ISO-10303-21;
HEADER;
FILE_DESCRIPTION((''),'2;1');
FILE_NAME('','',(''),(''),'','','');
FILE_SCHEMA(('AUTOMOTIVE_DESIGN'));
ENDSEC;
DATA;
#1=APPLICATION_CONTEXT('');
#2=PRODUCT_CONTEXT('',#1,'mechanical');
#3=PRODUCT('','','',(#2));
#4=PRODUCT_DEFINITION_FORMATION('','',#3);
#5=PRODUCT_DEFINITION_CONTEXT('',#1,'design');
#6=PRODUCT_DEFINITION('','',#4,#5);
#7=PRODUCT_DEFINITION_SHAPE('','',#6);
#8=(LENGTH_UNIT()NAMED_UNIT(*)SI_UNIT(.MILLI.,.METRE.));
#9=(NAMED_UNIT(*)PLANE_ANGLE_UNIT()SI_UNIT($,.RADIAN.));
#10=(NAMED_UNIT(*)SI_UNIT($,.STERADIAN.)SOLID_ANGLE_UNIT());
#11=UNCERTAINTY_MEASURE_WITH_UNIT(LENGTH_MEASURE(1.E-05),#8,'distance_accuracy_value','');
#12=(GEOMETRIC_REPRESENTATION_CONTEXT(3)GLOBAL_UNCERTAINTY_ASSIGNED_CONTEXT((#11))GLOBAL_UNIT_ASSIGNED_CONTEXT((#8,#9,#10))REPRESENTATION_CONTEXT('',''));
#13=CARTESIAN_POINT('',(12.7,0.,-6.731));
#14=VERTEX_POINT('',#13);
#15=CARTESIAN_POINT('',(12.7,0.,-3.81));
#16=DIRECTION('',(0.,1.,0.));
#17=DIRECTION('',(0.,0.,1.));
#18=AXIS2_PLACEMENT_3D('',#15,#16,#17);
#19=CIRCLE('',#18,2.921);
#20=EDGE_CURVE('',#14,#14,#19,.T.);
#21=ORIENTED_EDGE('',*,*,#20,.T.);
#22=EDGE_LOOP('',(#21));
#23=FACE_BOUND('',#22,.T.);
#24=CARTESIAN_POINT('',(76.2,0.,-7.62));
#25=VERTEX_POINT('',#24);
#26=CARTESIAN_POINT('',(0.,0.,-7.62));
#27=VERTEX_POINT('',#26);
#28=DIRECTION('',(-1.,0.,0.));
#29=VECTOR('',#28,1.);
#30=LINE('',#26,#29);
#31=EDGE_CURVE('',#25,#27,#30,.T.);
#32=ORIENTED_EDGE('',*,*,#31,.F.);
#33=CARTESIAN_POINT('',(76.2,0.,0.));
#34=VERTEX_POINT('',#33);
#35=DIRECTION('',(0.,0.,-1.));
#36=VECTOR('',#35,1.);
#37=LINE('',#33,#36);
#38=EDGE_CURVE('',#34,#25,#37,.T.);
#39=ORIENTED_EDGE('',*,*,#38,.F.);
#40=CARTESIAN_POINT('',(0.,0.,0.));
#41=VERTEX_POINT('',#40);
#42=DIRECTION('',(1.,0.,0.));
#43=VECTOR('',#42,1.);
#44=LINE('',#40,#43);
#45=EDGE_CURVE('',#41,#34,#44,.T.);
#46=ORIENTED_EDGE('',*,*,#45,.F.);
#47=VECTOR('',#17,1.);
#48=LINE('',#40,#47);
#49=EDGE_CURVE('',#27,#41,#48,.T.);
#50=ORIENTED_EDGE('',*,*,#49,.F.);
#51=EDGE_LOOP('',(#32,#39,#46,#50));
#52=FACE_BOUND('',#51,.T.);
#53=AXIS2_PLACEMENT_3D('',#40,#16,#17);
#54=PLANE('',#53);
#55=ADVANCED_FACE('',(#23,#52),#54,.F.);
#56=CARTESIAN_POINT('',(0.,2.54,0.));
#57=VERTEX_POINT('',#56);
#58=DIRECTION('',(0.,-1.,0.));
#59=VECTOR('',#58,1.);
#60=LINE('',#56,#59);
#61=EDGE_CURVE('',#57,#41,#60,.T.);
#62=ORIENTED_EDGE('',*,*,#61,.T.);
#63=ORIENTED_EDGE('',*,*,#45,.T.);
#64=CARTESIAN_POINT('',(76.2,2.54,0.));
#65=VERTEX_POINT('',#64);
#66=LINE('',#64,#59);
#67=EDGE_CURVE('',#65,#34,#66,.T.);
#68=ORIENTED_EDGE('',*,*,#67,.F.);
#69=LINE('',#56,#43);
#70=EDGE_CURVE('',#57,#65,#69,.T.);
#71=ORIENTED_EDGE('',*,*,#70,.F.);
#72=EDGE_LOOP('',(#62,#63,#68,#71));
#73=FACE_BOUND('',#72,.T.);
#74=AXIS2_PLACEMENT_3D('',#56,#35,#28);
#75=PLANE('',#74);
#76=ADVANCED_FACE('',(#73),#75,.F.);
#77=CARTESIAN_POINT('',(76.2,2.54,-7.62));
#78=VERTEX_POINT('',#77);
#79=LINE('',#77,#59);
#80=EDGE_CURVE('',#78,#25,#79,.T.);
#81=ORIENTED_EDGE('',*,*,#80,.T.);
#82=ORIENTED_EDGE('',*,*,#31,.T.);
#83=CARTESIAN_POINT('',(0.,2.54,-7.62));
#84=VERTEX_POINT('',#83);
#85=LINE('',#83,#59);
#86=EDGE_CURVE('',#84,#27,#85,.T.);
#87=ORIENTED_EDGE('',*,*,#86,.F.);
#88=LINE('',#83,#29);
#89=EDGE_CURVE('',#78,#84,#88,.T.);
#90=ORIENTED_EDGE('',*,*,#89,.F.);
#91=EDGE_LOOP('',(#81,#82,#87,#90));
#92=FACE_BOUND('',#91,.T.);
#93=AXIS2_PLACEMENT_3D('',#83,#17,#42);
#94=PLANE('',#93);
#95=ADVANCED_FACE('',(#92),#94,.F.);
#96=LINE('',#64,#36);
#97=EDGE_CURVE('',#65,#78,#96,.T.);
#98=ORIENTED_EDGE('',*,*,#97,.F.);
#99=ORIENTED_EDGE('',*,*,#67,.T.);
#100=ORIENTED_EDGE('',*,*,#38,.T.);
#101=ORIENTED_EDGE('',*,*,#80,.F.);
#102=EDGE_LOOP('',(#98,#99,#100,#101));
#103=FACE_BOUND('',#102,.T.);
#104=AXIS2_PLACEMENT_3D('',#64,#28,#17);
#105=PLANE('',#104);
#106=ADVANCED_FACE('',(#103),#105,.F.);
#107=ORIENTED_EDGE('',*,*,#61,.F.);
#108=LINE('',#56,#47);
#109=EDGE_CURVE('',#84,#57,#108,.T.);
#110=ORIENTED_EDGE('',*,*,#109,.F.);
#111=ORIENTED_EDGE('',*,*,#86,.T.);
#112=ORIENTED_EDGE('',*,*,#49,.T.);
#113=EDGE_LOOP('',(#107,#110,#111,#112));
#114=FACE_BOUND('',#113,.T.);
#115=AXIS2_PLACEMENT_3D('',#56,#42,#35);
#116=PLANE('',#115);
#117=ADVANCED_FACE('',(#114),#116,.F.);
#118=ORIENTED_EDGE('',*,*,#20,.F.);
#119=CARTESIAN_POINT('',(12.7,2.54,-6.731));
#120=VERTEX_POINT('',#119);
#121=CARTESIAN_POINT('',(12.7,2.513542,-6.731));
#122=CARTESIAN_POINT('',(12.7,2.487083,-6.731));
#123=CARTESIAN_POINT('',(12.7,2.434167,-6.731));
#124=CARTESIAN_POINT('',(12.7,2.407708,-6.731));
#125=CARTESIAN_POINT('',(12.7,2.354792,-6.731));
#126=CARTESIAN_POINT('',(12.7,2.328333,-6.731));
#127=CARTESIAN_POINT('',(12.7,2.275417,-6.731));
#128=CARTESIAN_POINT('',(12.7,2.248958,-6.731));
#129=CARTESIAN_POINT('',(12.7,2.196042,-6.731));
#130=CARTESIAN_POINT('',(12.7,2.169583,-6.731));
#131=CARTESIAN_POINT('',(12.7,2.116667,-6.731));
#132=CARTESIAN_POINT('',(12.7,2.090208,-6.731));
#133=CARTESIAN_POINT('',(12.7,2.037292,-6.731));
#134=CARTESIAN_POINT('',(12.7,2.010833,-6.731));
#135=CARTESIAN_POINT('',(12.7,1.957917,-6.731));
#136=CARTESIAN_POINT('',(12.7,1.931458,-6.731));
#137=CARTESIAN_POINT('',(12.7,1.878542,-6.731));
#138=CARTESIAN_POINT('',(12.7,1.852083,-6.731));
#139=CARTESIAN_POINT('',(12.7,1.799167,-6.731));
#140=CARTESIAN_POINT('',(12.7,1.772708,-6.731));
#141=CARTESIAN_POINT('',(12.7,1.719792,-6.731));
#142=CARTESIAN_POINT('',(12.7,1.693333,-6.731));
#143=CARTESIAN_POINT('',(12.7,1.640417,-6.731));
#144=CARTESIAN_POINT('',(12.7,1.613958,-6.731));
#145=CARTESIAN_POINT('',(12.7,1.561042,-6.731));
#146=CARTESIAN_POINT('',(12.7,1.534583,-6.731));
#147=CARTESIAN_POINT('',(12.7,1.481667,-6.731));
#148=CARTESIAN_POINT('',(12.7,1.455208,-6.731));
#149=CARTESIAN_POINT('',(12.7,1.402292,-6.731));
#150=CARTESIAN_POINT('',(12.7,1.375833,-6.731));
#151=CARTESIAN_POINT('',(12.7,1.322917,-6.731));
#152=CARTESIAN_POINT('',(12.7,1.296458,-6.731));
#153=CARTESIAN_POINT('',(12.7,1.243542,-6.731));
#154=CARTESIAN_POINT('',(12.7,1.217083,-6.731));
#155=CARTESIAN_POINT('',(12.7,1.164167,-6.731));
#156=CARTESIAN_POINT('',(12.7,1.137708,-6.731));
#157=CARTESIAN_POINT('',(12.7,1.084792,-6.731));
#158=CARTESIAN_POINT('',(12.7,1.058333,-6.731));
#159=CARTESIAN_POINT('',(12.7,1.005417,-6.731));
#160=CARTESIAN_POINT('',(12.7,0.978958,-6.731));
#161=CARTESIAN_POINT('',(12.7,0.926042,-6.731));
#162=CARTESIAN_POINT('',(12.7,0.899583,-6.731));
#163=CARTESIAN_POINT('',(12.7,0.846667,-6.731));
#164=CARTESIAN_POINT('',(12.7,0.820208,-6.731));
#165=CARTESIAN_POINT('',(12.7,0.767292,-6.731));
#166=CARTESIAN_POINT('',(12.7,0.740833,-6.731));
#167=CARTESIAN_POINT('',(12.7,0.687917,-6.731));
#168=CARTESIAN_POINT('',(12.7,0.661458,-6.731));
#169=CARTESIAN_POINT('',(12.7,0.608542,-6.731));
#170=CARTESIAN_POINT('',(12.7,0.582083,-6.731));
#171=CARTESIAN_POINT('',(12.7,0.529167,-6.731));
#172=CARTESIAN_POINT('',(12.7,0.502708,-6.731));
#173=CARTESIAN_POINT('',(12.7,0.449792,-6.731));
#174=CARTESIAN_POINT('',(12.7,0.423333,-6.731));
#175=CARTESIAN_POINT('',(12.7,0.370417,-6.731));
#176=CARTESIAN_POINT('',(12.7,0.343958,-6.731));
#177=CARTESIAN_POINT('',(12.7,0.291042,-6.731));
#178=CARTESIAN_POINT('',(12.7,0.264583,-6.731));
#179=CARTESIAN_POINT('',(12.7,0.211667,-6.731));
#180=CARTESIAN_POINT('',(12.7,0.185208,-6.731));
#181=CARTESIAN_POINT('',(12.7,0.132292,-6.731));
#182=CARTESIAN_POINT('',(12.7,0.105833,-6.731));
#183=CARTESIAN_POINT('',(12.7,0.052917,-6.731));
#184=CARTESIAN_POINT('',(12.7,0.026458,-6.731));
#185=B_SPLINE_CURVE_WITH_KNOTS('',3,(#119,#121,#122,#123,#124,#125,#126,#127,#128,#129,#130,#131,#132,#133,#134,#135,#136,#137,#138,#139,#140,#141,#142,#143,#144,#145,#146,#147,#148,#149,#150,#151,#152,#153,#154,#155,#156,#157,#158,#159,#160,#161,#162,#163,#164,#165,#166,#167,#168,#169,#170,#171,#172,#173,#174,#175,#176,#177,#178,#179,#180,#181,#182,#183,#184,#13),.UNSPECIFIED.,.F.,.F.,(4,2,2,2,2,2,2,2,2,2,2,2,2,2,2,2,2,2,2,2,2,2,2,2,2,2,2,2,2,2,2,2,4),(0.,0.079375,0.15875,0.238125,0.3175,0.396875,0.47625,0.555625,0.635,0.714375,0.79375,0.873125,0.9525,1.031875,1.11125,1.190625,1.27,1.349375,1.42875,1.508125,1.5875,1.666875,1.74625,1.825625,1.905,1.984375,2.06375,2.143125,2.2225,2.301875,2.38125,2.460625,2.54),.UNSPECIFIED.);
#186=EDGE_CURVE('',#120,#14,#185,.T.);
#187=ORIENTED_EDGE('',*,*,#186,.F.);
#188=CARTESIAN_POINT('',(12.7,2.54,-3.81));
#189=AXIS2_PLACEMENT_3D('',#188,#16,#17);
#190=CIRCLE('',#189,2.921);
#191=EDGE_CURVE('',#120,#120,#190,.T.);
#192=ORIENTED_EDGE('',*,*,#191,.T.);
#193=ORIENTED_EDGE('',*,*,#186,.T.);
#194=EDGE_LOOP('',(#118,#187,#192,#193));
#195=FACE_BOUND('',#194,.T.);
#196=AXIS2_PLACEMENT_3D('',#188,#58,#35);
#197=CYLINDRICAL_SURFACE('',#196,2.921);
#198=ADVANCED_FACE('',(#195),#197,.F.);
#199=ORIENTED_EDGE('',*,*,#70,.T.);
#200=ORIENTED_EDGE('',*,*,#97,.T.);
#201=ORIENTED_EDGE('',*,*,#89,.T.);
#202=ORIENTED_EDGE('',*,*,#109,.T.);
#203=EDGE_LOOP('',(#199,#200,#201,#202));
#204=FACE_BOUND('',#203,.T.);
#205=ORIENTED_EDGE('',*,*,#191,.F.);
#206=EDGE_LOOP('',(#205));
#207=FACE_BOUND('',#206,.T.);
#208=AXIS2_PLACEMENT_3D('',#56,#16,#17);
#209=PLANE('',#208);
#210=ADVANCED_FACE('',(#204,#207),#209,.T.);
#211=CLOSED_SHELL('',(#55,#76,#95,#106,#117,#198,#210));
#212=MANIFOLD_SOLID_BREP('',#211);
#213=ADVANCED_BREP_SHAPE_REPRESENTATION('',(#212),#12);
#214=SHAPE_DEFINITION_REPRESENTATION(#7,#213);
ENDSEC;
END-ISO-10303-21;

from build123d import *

# Parameters (mm, degrees)
SKETCH1_W           = 76.2
SKETCH1_H           = 7.62
SKETCH1_R           = 2.921
BOSS_EXTRUDE1_DEPTH = 2.54


with BuildPart() as part:
    # Sketch1 → Boss-Extrude1 (new body)
    with BuildSketch(Plane(origin=(0, 0, 0), x_dir=(1, 0, 0), z_dir=(0, 1, 0))):
        with Locations((38.1, 3.81)):
            Rectangle(SKETCH1_W, SKETCH1_H)
        with Locations(Location((12.7, 3.81, 0), (0, 0, 90))):
            Circle(SKETCH1_R, mode=Mode.SUBTRACT)
    extrude(amount=BOSS_EXTRUDE1_DEPTH)


solid = part.part
